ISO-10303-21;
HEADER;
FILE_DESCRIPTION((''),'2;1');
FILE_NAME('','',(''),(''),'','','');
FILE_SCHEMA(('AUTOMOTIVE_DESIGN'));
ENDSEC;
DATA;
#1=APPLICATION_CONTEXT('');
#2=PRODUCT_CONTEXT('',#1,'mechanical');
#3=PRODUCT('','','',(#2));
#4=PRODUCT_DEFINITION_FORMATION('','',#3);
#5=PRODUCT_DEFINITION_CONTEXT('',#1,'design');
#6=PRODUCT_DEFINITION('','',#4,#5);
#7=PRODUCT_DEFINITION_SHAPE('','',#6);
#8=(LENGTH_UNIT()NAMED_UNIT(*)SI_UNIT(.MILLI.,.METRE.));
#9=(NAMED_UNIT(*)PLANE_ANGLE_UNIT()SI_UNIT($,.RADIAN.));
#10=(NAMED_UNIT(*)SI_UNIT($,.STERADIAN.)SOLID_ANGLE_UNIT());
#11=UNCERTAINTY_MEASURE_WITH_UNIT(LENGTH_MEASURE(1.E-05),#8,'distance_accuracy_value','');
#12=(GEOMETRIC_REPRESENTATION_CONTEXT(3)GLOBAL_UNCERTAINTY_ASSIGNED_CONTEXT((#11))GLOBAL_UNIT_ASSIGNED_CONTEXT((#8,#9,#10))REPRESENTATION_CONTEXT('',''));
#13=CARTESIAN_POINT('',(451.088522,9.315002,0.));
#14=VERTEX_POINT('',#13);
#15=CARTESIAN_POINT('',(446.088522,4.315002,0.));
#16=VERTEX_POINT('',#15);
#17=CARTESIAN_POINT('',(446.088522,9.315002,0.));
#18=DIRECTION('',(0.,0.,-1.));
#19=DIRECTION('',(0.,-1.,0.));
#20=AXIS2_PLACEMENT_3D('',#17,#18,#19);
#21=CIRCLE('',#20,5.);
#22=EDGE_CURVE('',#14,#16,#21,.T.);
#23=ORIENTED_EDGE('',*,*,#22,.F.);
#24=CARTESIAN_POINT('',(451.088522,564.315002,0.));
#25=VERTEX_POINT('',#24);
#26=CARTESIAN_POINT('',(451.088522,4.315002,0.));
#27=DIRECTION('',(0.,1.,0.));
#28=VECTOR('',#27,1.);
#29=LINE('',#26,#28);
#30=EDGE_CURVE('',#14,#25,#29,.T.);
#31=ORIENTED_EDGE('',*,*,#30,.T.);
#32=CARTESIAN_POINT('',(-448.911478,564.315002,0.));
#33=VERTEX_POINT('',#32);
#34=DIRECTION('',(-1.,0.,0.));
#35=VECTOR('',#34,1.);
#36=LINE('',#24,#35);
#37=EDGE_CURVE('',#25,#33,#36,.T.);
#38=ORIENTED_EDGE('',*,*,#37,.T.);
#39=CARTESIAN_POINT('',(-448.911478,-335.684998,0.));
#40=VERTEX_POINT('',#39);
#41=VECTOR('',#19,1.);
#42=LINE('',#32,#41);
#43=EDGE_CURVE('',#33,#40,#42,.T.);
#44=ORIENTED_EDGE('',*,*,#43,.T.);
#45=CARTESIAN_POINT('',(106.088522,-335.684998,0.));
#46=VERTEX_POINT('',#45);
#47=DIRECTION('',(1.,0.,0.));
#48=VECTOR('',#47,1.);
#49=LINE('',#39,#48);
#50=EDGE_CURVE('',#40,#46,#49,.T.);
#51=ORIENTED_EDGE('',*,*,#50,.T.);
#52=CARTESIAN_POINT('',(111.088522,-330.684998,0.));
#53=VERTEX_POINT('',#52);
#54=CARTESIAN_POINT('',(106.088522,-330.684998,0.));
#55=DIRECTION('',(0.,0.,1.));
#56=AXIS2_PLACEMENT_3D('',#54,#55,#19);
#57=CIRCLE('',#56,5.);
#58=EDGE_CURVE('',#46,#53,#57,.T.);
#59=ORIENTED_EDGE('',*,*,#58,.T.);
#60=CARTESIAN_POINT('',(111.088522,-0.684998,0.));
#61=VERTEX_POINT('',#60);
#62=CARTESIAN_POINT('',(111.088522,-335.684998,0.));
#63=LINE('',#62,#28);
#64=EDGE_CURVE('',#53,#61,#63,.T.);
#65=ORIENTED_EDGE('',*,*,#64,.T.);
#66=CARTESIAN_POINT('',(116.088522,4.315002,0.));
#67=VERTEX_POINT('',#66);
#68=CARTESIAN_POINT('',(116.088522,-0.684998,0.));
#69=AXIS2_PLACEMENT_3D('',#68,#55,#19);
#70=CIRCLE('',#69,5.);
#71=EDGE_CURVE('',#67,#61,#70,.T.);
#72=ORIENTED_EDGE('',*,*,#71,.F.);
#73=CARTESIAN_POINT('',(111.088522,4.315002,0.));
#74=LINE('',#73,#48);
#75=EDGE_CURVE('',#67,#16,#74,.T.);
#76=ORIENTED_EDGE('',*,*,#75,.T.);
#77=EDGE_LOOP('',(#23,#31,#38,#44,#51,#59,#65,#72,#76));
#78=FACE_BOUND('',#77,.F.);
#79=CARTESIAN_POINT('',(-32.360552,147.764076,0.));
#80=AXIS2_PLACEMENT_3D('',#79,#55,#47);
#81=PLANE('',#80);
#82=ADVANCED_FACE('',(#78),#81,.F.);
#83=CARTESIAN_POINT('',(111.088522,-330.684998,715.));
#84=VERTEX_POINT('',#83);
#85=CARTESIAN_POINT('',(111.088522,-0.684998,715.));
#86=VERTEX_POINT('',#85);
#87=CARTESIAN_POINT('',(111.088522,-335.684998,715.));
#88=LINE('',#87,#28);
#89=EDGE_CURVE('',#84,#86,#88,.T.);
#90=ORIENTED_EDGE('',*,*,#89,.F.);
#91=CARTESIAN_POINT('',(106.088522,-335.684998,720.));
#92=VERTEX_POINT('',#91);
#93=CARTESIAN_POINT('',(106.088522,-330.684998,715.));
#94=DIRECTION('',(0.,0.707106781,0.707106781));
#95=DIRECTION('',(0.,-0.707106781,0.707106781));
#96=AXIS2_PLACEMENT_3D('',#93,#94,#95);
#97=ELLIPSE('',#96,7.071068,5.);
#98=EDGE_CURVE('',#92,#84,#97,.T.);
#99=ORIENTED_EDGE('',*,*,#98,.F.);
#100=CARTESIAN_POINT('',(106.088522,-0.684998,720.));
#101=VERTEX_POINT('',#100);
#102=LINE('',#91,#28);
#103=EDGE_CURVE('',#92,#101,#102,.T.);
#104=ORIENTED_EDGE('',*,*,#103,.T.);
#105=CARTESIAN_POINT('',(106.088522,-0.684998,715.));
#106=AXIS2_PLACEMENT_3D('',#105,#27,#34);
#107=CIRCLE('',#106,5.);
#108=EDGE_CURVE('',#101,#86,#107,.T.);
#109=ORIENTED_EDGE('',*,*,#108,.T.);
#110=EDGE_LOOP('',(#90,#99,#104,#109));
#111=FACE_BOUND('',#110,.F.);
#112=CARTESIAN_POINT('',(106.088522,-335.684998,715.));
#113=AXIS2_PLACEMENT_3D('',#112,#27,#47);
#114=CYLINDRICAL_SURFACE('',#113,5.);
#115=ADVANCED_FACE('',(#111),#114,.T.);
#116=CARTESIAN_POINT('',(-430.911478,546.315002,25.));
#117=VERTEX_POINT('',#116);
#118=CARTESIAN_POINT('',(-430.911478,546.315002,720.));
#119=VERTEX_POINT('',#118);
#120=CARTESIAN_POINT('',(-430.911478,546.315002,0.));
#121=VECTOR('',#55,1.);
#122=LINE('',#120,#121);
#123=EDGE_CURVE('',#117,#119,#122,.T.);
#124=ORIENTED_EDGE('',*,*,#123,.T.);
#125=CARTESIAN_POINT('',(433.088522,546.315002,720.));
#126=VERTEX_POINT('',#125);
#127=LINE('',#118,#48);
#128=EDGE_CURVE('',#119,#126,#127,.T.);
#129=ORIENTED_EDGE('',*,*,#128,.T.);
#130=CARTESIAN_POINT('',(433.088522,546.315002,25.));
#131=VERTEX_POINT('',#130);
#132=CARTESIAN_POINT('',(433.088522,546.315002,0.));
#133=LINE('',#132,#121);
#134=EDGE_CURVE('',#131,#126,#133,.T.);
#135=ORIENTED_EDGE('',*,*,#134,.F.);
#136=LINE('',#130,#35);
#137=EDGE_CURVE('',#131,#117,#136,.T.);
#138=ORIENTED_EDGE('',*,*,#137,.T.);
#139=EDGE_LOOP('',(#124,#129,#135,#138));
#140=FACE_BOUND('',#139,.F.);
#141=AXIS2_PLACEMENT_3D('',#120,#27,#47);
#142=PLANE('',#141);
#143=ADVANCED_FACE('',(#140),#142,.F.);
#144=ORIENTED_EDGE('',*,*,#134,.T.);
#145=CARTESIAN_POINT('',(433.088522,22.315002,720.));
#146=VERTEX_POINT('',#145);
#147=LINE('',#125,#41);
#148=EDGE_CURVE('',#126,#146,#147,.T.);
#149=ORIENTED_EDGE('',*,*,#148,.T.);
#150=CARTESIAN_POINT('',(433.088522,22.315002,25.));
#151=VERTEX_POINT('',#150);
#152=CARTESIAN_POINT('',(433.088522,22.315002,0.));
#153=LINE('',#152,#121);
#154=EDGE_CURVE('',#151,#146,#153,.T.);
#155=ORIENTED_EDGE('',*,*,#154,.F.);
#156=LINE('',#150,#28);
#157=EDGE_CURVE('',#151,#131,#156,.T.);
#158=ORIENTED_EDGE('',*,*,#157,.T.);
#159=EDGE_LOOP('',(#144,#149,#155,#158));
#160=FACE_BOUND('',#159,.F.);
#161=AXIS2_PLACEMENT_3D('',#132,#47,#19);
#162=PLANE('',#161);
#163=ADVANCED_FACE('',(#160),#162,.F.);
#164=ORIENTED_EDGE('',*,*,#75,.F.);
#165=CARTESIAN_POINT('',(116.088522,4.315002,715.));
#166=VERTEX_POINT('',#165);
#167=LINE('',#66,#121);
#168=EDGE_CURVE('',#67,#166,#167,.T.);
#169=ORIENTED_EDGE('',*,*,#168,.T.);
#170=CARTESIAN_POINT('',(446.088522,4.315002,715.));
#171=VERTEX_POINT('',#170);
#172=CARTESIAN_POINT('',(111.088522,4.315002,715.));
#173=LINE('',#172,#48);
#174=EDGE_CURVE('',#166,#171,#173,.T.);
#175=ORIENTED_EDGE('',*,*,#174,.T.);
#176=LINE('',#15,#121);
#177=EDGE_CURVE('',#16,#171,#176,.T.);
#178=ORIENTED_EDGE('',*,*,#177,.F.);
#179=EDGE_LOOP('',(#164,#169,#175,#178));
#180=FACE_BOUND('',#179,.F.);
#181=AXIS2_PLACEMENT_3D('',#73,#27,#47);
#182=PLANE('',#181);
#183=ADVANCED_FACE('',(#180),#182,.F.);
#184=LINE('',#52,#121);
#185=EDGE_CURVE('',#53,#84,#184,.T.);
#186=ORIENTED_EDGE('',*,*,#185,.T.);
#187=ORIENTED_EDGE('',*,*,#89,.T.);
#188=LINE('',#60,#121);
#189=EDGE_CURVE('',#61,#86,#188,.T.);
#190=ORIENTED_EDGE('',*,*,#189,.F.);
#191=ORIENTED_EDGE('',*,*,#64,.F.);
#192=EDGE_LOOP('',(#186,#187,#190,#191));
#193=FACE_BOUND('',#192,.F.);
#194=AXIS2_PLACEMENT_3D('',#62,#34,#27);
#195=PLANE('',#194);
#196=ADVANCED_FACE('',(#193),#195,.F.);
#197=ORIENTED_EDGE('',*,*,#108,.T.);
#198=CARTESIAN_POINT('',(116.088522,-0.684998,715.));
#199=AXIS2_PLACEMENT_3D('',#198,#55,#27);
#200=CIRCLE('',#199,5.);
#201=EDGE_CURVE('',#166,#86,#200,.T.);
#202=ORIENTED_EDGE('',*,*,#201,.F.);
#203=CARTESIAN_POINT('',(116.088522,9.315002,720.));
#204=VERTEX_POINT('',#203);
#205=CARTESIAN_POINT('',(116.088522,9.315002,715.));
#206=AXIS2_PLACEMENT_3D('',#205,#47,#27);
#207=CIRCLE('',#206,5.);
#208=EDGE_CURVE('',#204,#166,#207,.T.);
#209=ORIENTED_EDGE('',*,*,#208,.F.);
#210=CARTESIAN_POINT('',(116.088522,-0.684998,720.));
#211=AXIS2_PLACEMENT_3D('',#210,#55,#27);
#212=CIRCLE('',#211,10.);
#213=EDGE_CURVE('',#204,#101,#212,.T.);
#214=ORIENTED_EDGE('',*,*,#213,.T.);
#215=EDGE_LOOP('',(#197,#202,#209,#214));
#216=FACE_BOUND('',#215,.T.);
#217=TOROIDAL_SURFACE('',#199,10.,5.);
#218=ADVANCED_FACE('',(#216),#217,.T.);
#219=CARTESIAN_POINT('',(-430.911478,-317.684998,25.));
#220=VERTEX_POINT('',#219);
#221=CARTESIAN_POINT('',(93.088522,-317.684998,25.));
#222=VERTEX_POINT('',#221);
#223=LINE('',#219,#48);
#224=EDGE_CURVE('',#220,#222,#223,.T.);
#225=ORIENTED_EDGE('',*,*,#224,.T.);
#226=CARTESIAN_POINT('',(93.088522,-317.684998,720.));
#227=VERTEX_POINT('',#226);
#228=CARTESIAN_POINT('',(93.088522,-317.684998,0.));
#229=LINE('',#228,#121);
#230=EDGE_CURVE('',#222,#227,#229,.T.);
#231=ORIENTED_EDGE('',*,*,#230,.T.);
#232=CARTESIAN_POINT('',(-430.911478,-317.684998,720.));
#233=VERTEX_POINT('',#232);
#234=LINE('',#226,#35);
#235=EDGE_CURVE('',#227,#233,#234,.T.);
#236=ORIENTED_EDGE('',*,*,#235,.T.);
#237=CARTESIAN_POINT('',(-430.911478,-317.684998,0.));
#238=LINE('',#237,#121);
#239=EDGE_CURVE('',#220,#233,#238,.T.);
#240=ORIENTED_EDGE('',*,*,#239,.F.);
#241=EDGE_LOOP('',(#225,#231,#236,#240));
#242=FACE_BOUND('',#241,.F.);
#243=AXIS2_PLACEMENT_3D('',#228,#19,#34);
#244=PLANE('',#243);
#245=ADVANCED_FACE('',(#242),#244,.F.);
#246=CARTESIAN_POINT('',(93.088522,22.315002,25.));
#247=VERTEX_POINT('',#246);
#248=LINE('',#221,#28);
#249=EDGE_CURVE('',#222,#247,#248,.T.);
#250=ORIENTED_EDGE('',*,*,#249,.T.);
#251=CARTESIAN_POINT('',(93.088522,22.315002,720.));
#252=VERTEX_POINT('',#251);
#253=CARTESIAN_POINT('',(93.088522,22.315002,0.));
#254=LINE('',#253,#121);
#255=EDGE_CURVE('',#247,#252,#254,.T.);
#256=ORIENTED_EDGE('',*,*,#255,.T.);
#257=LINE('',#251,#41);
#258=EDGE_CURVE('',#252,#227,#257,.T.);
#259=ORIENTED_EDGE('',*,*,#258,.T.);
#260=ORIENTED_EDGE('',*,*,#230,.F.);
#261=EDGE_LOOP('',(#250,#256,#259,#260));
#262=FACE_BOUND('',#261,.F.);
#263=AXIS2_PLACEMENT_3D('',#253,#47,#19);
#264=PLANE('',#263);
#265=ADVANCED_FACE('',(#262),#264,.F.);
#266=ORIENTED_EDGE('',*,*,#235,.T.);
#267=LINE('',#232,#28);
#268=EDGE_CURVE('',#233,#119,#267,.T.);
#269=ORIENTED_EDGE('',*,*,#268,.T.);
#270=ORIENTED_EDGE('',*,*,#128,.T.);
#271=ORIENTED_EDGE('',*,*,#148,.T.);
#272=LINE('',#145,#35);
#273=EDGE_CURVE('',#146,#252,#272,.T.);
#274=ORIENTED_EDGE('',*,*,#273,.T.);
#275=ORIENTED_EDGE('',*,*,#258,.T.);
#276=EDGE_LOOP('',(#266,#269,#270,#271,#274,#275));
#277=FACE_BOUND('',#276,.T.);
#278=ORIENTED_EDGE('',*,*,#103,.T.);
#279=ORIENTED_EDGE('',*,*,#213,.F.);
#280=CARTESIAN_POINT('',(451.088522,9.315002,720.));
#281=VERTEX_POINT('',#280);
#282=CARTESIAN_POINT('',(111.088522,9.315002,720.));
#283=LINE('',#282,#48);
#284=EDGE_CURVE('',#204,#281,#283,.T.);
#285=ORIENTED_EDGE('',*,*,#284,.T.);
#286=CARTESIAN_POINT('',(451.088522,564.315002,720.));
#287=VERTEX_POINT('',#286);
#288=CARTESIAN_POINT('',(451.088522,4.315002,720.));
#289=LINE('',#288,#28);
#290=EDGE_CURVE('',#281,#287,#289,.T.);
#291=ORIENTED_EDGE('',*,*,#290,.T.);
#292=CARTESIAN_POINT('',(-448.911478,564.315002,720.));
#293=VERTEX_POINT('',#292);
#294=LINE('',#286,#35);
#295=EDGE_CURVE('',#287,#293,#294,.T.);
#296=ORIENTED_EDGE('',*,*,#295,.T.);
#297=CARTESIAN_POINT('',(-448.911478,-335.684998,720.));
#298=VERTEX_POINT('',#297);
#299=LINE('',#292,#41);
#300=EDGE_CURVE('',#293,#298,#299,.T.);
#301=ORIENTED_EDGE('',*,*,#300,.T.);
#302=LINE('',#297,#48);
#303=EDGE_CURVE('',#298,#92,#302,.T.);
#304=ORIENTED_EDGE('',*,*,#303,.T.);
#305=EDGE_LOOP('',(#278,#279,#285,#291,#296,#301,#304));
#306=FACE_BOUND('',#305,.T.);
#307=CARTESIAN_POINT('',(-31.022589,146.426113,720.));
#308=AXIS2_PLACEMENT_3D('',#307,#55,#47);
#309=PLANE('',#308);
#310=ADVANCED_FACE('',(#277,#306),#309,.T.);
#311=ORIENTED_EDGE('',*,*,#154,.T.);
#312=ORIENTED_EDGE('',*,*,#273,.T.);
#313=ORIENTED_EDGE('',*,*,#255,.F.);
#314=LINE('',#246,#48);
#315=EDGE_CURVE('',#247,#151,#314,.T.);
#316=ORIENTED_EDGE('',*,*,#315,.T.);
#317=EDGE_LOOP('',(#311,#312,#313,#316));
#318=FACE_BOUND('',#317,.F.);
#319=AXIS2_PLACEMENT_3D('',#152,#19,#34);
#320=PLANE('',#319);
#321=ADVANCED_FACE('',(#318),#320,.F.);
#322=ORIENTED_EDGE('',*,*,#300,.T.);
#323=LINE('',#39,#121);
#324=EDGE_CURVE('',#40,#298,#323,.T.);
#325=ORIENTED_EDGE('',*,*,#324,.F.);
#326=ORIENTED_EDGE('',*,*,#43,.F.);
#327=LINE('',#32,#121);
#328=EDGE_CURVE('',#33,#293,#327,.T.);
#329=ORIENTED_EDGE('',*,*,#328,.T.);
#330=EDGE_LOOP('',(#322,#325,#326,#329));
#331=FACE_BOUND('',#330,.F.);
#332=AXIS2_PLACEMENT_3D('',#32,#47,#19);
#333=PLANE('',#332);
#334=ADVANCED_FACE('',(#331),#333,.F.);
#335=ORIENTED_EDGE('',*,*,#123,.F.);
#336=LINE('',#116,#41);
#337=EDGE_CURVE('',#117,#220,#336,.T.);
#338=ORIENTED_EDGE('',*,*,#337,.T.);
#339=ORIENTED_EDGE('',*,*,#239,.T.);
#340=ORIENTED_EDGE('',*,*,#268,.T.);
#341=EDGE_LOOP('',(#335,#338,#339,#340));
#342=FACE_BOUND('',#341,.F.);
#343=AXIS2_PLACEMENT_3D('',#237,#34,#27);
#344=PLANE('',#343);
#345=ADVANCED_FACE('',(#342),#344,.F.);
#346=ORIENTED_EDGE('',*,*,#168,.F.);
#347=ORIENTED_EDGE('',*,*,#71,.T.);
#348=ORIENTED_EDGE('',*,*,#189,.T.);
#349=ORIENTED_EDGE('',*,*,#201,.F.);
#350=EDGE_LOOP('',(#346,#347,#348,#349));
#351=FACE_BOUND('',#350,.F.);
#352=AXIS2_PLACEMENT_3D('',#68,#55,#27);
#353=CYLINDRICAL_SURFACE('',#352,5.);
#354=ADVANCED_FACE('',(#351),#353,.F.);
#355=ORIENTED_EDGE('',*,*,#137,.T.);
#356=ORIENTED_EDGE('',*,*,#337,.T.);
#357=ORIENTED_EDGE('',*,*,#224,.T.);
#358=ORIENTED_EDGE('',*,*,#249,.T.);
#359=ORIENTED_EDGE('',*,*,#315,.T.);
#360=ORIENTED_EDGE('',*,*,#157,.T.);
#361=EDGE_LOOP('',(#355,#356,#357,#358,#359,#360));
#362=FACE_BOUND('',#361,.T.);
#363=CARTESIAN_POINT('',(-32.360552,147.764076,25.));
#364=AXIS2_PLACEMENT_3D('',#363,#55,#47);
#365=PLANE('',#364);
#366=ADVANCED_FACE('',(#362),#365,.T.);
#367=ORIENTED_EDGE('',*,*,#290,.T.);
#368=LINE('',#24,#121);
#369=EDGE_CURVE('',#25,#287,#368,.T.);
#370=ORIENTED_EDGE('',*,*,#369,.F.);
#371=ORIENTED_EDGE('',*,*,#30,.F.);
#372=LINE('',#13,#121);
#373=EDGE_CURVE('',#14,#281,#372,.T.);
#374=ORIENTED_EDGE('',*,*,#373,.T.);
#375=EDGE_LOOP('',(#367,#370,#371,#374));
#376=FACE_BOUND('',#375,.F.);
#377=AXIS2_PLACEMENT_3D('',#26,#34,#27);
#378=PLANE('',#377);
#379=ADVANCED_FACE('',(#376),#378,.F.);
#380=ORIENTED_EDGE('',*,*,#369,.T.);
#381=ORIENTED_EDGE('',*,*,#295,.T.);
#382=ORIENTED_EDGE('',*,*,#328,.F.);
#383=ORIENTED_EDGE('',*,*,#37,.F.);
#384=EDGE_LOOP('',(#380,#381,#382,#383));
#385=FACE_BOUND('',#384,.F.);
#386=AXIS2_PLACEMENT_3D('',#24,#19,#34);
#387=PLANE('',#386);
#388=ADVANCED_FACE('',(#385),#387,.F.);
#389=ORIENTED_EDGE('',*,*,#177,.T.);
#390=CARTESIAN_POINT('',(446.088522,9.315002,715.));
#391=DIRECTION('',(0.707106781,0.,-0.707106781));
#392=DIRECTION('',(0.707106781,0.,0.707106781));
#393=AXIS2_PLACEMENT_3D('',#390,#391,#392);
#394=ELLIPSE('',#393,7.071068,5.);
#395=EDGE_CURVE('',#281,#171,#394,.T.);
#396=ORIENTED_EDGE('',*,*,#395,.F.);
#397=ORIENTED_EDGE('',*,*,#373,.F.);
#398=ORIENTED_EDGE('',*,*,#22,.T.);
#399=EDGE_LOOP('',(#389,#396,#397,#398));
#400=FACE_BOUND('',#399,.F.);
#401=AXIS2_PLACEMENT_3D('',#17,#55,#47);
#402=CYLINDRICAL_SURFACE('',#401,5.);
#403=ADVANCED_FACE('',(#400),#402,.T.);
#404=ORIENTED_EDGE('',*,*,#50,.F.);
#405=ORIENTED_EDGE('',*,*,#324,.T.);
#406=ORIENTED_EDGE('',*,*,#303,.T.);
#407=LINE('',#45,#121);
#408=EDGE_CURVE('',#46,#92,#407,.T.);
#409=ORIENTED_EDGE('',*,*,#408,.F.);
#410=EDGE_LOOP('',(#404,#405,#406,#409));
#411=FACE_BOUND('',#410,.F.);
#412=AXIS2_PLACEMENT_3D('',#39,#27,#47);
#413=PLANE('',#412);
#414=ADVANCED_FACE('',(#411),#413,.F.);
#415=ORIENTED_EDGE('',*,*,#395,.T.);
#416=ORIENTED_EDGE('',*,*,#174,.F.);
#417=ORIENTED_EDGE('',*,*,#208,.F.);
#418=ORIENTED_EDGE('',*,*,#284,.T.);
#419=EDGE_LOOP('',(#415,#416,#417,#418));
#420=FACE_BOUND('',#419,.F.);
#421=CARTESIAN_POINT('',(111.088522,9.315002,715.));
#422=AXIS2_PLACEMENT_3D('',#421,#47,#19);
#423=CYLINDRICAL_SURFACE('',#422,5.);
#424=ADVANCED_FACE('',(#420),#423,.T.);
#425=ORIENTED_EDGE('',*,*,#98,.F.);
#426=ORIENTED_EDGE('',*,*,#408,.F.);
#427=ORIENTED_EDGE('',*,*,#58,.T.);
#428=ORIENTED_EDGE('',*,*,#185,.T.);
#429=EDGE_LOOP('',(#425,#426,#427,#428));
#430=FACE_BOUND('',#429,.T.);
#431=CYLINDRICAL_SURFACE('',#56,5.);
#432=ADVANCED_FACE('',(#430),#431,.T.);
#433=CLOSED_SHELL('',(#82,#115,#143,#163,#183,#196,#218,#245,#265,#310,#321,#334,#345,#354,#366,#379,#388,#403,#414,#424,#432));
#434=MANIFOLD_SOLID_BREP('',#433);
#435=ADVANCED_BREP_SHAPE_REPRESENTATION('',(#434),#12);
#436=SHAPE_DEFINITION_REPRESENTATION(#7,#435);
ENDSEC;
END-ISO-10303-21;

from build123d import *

# Parameters (mm, degrees)
F1_DEPTH = 720
F2_DEPTH = 25
F3_R     = 5


with BuildPart() as f1:
    # F0 (on Top) → F1 (new body)
    with BuildSketch(Plane.XY):
        Polygon((451.088522, 564.315002), (-448.911478, 564.315002), (-448.911478, -335.684998), (111.088522, -335.684998), (111.088522, 4.315002), (451.088522, 4.315002), align=None)
        Polygon((-430.911478, -317.684998), (-430.911478, 546.315002), (433.088522, 546.315002), (433.088522, 22.315002), (93.088522, 22.315002), (93.088522, -317.684998), align=None, mode=Mode.SUBTRACT)
    extrude(amount=F1_DEPTH)

    # F0 (on Top) → F2 (join)
    with BuildSketch(Plane.XY):
        Polygon((433.088522, 546.315002), (-430.911478, 546.315002), (-430.911478, -317.684998), (93.088522, -317.684998), (93.088522, 22.315002), (433.088522, 22.315002), align=None)
    extrude(amount=F2_DEPTH)

    # F3
    f3_edges = [f1.edges().sort_by_distance(p)[0] for p in [
        (451.088522, 4.315002, 360),
        (111.088522, 4.315002, 360),
        (111.088522, -335.684998, 360),
        (281.088522, 4.315002, 720),
        (111.088522, -165.684998, 720),
    ]]
    fillet(f3_edges, radius=F3_R)


solid = f1.part
